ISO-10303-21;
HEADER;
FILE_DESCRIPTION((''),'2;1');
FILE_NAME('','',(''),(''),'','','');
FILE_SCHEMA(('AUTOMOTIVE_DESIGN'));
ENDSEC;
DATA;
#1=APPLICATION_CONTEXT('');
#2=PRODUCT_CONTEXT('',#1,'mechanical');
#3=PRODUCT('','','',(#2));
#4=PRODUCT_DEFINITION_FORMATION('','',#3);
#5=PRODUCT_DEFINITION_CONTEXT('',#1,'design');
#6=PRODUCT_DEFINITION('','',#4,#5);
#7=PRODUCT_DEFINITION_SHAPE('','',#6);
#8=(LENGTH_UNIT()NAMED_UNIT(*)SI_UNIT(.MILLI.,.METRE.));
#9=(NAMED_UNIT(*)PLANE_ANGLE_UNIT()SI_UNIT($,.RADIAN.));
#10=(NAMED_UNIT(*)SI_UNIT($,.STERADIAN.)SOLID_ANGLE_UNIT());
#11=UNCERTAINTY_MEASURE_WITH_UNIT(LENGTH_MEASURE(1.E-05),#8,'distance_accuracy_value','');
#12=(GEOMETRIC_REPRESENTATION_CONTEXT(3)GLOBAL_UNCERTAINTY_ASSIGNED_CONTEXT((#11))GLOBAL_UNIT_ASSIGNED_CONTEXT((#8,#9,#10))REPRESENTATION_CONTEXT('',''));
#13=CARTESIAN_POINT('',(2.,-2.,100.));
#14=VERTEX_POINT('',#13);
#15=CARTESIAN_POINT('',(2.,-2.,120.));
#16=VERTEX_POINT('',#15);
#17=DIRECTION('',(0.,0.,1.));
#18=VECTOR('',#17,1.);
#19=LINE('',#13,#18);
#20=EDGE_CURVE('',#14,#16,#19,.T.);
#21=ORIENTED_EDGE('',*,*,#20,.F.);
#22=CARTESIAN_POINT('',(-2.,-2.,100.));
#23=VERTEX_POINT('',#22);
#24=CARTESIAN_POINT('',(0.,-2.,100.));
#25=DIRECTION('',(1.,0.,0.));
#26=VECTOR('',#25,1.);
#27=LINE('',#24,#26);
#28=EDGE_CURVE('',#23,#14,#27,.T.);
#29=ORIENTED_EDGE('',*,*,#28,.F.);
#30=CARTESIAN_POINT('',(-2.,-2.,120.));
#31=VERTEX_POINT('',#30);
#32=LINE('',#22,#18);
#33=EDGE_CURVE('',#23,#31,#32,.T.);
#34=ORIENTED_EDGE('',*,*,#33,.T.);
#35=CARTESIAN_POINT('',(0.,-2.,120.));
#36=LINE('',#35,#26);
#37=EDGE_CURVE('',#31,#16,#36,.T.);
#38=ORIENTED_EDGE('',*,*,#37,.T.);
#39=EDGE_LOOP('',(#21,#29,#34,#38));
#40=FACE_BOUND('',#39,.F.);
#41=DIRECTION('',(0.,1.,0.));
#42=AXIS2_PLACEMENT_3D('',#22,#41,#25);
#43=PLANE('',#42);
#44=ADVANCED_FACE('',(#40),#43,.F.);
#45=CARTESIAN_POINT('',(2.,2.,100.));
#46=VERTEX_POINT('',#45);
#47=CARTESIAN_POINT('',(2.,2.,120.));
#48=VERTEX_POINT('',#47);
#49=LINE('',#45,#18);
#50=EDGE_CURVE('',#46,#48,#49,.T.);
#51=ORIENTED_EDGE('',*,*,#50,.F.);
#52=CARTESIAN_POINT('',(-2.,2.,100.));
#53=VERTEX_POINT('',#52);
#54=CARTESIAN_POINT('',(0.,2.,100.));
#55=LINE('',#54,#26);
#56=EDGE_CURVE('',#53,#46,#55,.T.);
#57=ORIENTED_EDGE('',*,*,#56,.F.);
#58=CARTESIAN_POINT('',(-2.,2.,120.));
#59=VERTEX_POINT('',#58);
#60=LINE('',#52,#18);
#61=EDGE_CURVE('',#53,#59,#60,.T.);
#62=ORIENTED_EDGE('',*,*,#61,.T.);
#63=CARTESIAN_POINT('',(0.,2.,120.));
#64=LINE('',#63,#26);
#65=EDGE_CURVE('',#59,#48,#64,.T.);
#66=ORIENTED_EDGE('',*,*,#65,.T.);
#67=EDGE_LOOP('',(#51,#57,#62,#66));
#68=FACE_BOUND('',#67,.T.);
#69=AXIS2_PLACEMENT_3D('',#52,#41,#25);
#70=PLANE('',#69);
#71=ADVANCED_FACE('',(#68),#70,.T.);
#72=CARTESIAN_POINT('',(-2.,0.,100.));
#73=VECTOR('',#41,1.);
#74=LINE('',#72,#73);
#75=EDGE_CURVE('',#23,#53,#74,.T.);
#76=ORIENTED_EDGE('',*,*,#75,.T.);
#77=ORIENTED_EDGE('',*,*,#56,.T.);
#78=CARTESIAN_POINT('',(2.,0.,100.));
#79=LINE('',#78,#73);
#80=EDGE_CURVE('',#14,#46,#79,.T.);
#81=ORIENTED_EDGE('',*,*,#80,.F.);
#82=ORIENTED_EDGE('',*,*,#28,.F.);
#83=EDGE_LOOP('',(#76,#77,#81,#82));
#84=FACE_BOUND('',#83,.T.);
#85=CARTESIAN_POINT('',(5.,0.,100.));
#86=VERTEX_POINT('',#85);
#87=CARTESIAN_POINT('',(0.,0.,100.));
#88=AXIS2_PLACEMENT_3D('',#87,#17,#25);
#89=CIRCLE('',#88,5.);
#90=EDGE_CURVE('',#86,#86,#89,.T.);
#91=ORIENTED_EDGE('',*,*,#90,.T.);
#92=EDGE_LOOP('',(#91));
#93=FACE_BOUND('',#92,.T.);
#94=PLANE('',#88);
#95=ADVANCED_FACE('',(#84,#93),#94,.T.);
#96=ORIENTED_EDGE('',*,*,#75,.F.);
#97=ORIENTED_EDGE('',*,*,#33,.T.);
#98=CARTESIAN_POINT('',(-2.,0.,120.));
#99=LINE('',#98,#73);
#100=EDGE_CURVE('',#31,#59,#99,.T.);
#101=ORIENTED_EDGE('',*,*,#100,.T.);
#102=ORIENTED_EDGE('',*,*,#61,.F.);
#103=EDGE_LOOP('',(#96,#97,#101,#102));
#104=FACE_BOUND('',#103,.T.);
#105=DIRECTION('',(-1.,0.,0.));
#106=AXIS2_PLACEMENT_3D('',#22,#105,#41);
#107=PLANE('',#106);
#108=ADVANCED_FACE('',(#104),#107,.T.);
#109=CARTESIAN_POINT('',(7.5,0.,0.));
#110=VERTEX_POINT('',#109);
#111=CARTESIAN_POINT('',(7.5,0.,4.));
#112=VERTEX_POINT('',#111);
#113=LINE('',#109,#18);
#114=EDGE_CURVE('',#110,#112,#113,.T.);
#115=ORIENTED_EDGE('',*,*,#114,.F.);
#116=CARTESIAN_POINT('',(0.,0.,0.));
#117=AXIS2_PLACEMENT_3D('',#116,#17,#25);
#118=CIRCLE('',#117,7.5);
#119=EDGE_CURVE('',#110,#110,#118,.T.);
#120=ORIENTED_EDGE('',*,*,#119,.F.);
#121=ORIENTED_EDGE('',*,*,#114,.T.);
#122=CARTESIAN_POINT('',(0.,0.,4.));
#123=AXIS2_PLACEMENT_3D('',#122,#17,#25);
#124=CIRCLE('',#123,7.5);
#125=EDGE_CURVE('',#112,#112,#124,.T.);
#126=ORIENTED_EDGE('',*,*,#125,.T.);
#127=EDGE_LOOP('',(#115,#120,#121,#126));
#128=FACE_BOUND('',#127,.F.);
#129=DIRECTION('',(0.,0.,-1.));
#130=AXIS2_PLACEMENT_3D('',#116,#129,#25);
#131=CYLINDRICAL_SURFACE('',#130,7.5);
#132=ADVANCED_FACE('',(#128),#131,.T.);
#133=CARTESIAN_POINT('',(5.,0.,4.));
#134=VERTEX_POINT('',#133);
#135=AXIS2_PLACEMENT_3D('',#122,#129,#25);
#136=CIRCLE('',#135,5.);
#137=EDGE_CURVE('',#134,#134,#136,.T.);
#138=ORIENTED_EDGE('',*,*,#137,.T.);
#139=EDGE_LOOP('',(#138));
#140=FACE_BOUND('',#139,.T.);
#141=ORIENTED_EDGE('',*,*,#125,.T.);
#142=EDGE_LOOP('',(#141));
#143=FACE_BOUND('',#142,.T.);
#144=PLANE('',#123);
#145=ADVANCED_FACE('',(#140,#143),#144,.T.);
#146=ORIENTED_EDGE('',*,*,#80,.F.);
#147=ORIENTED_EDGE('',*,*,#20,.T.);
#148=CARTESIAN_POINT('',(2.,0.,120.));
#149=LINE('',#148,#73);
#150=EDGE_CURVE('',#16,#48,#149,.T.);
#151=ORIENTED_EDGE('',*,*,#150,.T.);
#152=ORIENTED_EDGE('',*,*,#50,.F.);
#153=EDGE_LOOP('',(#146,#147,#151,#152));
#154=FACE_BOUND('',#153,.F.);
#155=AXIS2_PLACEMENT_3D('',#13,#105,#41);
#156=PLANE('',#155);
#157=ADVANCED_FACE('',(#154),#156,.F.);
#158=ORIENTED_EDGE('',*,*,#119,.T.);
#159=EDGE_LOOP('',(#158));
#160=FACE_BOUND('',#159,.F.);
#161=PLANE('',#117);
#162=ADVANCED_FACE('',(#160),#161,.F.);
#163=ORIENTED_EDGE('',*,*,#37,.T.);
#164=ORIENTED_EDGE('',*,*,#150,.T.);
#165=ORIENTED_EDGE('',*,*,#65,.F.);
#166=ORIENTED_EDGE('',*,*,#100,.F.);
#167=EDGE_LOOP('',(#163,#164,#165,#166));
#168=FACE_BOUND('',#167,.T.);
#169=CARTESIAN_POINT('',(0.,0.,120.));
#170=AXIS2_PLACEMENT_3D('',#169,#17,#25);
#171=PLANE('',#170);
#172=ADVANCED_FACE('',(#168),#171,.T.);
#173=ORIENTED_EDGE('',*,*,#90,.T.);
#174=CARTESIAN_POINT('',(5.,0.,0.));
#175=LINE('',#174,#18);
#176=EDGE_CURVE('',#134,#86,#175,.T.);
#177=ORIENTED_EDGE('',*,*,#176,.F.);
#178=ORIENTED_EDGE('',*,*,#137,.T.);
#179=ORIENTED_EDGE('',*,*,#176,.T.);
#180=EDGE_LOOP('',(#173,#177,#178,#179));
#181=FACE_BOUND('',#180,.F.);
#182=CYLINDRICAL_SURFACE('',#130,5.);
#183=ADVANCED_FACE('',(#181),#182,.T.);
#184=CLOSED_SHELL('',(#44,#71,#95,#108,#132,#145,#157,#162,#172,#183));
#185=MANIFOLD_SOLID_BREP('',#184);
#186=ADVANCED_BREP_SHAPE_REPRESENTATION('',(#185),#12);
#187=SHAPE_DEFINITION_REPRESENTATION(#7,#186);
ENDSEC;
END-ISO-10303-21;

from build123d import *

# Parameters (mm, degrees)
F0_R     = 7.5
F1_DEPTH = 4
F2_R     = 5
F3_DEPTH = 100
F4_W     = 4
F4_H     = 4
F5_DEPTH = 20


with BuildPart() as f1:
    # F0 (on Top) → F1 (new body)
    with BuildSketch(Plane.XY):
        Circle(F0_R)
    extrude(amount=F1_DEPTH)

    # F2 (on Top) → F3 (join)
    with BuildSketch(Plane.XY):
        Circle(F2_R)
    extrude(amount=F3_DEPTH)

    # F4 (on face) → F5 (join)
    with BuildSketch(Plane.XY.offset(100)):
        Rectangle(F4_W, F4_H)
    extrude(amount=F5_DEPTH)


solid = f1.part
